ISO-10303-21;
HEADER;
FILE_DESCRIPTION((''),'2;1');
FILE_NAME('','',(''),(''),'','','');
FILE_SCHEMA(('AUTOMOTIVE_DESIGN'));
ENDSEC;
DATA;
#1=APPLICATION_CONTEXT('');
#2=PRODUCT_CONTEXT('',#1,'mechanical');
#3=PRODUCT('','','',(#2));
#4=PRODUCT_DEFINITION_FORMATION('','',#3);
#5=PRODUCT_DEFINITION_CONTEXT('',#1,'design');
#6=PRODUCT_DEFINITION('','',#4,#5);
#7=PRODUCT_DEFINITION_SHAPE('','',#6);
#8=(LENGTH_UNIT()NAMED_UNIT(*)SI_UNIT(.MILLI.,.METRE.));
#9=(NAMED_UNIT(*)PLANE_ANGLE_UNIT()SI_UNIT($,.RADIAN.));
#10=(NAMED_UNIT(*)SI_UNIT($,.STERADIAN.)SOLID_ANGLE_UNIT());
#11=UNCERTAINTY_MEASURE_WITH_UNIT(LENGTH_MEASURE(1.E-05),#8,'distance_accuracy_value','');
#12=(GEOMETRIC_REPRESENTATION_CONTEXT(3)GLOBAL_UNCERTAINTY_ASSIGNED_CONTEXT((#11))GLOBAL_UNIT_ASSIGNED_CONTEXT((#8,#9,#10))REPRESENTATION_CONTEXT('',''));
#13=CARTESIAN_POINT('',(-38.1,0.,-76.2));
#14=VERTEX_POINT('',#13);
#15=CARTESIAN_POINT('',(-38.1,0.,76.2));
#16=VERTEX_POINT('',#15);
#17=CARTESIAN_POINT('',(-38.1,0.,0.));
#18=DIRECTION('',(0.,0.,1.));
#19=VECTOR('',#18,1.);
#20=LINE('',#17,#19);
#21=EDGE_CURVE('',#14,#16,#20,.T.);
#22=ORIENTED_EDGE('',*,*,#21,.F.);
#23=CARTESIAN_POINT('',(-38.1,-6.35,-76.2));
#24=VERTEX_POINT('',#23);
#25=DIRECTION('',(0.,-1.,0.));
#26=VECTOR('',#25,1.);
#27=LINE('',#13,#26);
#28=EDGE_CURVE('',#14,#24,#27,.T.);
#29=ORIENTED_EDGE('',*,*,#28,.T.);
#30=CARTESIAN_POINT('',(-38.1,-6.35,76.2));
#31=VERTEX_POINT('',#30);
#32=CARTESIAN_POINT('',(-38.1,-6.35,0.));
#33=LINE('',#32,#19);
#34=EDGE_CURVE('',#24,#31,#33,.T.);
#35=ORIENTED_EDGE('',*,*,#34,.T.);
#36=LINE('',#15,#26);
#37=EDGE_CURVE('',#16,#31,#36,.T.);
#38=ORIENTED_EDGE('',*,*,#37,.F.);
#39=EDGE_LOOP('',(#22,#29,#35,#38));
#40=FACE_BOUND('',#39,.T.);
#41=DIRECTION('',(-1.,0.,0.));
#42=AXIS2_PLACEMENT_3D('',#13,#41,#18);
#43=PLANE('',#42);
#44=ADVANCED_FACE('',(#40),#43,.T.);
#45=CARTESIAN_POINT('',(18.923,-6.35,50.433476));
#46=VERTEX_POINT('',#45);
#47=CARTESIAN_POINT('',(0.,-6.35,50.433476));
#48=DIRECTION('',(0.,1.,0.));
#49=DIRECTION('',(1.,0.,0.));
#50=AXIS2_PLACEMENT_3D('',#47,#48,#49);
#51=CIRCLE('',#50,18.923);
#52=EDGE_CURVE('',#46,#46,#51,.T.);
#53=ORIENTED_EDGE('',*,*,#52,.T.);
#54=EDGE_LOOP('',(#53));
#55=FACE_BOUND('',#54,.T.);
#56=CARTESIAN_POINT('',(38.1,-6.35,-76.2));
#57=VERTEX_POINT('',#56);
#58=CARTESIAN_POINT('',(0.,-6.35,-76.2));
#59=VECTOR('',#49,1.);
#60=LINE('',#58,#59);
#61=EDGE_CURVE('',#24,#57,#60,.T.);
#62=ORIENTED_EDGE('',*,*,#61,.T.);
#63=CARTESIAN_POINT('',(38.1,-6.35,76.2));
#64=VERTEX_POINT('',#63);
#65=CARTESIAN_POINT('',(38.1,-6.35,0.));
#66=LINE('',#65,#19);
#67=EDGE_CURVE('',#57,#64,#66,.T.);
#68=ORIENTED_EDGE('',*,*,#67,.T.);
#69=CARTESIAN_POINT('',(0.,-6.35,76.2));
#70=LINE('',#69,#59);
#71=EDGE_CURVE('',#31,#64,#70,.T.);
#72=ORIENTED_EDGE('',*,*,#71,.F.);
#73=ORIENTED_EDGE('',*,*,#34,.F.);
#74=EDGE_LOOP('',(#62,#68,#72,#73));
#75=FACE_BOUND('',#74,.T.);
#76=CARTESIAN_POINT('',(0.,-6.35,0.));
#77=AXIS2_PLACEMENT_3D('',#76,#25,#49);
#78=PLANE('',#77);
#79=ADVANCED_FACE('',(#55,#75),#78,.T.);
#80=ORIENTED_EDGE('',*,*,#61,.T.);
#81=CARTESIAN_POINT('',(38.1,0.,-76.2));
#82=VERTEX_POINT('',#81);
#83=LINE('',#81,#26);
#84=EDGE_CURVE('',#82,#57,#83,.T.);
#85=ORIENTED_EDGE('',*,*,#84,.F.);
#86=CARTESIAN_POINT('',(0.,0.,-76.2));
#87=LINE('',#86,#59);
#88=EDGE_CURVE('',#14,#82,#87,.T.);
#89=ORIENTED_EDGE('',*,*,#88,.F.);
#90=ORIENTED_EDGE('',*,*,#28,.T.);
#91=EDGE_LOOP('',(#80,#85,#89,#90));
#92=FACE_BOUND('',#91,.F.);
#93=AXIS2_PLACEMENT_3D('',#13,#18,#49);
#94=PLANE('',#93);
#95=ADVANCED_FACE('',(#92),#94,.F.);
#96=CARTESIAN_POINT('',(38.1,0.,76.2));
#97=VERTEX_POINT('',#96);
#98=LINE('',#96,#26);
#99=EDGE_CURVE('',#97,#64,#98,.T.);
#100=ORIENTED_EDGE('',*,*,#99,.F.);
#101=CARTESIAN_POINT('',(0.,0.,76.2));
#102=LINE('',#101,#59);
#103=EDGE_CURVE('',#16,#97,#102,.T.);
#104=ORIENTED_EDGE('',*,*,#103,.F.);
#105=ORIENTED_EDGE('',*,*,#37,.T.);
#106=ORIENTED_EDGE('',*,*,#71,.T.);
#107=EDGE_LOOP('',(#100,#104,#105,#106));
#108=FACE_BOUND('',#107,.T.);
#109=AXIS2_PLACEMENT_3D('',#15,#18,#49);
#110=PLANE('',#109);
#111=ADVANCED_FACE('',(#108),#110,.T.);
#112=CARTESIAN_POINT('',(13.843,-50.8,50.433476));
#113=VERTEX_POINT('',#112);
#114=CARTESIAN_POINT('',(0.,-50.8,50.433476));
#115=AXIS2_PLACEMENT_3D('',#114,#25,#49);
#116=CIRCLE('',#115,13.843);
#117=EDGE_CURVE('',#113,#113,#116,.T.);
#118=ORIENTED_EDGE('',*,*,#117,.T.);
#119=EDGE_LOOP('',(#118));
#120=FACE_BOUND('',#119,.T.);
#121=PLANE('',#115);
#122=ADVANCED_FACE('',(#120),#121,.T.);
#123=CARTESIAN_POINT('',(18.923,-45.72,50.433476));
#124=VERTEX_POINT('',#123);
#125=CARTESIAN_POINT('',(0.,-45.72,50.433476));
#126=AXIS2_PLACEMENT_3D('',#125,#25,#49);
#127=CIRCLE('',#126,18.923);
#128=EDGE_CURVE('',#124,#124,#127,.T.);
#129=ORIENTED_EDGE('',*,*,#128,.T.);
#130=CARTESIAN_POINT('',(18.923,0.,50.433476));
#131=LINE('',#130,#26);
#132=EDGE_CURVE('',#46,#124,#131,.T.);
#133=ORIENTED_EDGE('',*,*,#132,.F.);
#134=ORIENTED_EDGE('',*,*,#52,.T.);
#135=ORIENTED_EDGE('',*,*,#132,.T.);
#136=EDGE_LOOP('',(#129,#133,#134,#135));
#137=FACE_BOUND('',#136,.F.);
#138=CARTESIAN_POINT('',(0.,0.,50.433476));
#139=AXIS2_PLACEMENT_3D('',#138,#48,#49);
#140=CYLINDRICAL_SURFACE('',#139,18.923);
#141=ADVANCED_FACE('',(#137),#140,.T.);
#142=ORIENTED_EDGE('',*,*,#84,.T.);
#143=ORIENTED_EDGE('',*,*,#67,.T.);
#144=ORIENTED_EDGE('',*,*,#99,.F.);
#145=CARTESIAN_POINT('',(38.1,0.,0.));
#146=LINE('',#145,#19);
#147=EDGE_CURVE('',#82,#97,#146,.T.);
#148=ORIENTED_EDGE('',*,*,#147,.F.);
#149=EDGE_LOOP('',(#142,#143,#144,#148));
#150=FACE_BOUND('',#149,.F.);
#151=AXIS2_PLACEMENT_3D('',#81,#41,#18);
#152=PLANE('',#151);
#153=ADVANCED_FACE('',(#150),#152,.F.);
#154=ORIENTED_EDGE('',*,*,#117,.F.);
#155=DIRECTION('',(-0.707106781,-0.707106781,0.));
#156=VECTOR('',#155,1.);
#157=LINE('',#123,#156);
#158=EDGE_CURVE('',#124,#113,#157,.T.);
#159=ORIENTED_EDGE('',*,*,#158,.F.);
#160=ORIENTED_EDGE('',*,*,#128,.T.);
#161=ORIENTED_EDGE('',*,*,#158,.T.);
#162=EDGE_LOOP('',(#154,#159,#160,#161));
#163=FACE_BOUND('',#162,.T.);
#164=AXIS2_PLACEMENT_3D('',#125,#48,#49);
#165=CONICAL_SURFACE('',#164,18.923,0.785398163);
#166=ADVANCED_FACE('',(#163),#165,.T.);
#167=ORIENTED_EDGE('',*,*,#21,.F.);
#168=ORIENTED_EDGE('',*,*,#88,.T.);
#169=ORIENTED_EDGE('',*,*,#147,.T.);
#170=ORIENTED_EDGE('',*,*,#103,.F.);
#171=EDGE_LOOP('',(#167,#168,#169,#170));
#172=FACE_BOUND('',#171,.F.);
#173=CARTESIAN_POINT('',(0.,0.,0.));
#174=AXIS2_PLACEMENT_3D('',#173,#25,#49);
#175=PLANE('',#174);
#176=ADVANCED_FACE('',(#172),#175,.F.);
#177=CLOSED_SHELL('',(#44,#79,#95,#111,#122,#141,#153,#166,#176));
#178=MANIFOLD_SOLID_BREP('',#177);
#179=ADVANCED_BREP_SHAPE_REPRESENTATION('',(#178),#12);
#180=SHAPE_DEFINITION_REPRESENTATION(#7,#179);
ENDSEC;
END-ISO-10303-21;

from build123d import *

# Parameters (mm, degrees)
F1_R     = 18.923
F2_DEPTH = 50.8
F0_W     = 76.2
F0_H     = 152.4
F3_DEPTH = 6.35
F4_SIZE  = 5.08


with BuildPart() as f2:
    # F1 (on face) → F2 (new body)
    with BuildSketch(Plane.XZ):
        with Locations((0, 50.433476)):
            Circle(F1_R)
    extrude(amount=F2_DEPTH)

    # F0 (on Front) → F3 (join)
    with BuildSketch(Plane.XZ):
        Rectangle(F0_W, F0_H)
    extrude(amount=F3_DEPTH)

    # F4
    f4_edges = [f2.edges().sort_by_distance(p)[0] for p in [
        (-18.923, -50.8, 50.433476),
    ]]
    chamfer(f4_edges, length=F4_SIZE)


solid = f2.part
